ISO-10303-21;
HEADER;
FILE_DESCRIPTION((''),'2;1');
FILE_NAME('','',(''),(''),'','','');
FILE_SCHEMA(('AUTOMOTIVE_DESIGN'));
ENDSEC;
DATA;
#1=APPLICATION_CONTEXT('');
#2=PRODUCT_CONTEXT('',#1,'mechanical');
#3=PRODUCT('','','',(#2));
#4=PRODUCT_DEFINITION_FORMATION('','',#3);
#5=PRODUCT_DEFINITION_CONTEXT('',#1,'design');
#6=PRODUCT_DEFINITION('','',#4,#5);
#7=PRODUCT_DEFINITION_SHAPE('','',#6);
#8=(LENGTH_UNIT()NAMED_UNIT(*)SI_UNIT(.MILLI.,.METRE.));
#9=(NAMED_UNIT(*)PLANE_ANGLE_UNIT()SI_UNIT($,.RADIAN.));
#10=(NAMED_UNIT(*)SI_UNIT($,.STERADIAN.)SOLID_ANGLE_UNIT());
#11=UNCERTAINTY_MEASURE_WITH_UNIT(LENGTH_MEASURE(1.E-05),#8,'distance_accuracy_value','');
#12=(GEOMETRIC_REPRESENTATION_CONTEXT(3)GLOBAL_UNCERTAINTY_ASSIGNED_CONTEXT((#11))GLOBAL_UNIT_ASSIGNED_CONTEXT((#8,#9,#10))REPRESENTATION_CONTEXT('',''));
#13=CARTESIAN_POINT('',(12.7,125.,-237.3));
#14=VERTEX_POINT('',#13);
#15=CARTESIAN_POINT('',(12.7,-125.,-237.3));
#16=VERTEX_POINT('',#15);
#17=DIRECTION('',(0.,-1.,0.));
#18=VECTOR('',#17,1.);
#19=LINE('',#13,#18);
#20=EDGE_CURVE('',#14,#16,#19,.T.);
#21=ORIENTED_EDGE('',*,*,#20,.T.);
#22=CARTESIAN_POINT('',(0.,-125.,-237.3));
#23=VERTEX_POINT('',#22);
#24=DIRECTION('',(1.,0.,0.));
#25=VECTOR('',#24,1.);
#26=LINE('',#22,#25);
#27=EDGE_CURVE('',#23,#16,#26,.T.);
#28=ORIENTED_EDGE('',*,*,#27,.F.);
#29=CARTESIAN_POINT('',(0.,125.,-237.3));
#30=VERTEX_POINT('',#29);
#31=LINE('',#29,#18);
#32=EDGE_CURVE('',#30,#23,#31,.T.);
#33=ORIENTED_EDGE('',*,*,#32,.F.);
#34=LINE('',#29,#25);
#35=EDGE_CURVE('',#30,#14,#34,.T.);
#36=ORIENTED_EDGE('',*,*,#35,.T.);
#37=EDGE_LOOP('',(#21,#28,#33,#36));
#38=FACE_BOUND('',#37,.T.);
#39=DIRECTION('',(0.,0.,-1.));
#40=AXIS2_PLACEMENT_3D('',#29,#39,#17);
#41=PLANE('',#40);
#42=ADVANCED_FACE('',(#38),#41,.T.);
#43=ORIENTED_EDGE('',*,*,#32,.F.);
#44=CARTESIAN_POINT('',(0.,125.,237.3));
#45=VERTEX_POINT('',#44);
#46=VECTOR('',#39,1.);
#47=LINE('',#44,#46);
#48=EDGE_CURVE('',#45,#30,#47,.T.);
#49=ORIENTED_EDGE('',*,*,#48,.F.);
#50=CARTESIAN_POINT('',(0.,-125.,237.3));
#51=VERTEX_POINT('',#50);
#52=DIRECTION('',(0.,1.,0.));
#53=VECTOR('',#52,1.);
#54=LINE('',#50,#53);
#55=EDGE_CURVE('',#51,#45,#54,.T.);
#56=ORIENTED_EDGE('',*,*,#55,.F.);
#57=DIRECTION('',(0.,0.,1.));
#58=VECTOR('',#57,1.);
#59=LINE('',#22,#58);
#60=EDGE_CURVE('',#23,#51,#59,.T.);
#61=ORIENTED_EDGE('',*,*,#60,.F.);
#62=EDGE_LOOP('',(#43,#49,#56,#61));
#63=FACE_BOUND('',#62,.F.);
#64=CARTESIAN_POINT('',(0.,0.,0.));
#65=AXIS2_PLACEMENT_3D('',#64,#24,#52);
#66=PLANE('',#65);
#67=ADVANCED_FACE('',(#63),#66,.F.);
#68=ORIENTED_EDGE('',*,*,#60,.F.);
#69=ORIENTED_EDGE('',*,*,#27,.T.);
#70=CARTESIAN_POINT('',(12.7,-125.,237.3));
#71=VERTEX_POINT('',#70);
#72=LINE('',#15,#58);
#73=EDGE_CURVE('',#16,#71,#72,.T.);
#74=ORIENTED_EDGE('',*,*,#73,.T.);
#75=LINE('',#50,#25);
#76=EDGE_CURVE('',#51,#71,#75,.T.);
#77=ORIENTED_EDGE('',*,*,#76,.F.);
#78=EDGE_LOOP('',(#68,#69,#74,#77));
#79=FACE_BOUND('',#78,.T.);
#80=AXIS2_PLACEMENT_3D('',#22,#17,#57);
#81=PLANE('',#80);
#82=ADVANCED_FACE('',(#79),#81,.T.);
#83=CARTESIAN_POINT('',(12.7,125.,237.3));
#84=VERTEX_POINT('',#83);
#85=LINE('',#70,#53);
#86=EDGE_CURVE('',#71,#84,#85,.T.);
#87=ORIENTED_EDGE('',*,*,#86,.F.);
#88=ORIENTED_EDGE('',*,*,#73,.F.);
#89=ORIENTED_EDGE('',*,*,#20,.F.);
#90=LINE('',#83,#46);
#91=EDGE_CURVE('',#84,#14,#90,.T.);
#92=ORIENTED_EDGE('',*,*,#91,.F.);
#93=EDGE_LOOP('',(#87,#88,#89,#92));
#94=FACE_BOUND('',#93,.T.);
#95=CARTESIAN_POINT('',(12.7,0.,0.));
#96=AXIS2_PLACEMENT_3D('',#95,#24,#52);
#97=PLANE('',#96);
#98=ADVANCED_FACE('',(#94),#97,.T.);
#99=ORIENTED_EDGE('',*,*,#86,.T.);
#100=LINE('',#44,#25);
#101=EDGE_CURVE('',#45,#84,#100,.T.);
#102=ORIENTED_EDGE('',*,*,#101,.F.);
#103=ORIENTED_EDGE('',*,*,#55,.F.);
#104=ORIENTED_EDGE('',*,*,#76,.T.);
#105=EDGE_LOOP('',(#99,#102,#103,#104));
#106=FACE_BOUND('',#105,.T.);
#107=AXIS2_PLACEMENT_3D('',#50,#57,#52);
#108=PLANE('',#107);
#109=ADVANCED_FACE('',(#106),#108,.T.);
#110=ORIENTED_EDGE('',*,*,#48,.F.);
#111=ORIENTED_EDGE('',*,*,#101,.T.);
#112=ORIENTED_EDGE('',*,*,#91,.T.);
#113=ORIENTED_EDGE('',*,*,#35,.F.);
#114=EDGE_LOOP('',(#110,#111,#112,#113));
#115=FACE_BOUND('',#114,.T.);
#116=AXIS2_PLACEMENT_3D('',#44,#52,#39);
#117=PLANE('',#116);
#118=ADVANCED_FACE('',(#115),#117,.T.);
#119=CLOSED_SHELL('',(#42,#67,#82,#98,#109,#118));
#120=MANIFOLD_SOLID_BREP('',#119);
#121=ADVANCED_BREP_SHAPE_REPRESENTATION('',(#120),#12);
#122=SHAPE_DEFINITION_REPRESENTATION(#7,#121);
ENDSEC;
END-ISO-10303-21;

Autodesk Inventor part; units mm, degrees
ref_plane "YZ Plane" through (0, 0, 0) normal (1, 0, 0) x (0, 1, 0)
ref_plane "XZ Plane" through (0, 0, 0) normal (0, 1, 0) x (-1, 0, 0)
ref_plane "XY Plane" through (0, 0, 0) normal (0, 0, 1) x (1, 0, 0)
sketch "Sketch1" plane through (0, 0, 0) normal (1, 0, 0) x (0, 1, 0)
  line L0 (-125, 237.3) -> (125, 237.3)
  line L1 (125, 237.3) -> (125, -237.3)
  line L2 (125, -237.3) -> (-125, -237.3)
  line L3 (-125, -237.3) -> (-125, 237.3)
  line L4 (-125, 237.3) -> (125, -237.3) construction
  line L5 (125, 237.3) -> (-125, -237.3) construction
  point P0 (0, 0)
  dimension "height" = 250
  dimension "length" = 474.6
extrude "Extrusion1" add sketch "Sketch1" along normal blind 12.7
properties part number "Creat Side-02" material "Wood (Maple)"
